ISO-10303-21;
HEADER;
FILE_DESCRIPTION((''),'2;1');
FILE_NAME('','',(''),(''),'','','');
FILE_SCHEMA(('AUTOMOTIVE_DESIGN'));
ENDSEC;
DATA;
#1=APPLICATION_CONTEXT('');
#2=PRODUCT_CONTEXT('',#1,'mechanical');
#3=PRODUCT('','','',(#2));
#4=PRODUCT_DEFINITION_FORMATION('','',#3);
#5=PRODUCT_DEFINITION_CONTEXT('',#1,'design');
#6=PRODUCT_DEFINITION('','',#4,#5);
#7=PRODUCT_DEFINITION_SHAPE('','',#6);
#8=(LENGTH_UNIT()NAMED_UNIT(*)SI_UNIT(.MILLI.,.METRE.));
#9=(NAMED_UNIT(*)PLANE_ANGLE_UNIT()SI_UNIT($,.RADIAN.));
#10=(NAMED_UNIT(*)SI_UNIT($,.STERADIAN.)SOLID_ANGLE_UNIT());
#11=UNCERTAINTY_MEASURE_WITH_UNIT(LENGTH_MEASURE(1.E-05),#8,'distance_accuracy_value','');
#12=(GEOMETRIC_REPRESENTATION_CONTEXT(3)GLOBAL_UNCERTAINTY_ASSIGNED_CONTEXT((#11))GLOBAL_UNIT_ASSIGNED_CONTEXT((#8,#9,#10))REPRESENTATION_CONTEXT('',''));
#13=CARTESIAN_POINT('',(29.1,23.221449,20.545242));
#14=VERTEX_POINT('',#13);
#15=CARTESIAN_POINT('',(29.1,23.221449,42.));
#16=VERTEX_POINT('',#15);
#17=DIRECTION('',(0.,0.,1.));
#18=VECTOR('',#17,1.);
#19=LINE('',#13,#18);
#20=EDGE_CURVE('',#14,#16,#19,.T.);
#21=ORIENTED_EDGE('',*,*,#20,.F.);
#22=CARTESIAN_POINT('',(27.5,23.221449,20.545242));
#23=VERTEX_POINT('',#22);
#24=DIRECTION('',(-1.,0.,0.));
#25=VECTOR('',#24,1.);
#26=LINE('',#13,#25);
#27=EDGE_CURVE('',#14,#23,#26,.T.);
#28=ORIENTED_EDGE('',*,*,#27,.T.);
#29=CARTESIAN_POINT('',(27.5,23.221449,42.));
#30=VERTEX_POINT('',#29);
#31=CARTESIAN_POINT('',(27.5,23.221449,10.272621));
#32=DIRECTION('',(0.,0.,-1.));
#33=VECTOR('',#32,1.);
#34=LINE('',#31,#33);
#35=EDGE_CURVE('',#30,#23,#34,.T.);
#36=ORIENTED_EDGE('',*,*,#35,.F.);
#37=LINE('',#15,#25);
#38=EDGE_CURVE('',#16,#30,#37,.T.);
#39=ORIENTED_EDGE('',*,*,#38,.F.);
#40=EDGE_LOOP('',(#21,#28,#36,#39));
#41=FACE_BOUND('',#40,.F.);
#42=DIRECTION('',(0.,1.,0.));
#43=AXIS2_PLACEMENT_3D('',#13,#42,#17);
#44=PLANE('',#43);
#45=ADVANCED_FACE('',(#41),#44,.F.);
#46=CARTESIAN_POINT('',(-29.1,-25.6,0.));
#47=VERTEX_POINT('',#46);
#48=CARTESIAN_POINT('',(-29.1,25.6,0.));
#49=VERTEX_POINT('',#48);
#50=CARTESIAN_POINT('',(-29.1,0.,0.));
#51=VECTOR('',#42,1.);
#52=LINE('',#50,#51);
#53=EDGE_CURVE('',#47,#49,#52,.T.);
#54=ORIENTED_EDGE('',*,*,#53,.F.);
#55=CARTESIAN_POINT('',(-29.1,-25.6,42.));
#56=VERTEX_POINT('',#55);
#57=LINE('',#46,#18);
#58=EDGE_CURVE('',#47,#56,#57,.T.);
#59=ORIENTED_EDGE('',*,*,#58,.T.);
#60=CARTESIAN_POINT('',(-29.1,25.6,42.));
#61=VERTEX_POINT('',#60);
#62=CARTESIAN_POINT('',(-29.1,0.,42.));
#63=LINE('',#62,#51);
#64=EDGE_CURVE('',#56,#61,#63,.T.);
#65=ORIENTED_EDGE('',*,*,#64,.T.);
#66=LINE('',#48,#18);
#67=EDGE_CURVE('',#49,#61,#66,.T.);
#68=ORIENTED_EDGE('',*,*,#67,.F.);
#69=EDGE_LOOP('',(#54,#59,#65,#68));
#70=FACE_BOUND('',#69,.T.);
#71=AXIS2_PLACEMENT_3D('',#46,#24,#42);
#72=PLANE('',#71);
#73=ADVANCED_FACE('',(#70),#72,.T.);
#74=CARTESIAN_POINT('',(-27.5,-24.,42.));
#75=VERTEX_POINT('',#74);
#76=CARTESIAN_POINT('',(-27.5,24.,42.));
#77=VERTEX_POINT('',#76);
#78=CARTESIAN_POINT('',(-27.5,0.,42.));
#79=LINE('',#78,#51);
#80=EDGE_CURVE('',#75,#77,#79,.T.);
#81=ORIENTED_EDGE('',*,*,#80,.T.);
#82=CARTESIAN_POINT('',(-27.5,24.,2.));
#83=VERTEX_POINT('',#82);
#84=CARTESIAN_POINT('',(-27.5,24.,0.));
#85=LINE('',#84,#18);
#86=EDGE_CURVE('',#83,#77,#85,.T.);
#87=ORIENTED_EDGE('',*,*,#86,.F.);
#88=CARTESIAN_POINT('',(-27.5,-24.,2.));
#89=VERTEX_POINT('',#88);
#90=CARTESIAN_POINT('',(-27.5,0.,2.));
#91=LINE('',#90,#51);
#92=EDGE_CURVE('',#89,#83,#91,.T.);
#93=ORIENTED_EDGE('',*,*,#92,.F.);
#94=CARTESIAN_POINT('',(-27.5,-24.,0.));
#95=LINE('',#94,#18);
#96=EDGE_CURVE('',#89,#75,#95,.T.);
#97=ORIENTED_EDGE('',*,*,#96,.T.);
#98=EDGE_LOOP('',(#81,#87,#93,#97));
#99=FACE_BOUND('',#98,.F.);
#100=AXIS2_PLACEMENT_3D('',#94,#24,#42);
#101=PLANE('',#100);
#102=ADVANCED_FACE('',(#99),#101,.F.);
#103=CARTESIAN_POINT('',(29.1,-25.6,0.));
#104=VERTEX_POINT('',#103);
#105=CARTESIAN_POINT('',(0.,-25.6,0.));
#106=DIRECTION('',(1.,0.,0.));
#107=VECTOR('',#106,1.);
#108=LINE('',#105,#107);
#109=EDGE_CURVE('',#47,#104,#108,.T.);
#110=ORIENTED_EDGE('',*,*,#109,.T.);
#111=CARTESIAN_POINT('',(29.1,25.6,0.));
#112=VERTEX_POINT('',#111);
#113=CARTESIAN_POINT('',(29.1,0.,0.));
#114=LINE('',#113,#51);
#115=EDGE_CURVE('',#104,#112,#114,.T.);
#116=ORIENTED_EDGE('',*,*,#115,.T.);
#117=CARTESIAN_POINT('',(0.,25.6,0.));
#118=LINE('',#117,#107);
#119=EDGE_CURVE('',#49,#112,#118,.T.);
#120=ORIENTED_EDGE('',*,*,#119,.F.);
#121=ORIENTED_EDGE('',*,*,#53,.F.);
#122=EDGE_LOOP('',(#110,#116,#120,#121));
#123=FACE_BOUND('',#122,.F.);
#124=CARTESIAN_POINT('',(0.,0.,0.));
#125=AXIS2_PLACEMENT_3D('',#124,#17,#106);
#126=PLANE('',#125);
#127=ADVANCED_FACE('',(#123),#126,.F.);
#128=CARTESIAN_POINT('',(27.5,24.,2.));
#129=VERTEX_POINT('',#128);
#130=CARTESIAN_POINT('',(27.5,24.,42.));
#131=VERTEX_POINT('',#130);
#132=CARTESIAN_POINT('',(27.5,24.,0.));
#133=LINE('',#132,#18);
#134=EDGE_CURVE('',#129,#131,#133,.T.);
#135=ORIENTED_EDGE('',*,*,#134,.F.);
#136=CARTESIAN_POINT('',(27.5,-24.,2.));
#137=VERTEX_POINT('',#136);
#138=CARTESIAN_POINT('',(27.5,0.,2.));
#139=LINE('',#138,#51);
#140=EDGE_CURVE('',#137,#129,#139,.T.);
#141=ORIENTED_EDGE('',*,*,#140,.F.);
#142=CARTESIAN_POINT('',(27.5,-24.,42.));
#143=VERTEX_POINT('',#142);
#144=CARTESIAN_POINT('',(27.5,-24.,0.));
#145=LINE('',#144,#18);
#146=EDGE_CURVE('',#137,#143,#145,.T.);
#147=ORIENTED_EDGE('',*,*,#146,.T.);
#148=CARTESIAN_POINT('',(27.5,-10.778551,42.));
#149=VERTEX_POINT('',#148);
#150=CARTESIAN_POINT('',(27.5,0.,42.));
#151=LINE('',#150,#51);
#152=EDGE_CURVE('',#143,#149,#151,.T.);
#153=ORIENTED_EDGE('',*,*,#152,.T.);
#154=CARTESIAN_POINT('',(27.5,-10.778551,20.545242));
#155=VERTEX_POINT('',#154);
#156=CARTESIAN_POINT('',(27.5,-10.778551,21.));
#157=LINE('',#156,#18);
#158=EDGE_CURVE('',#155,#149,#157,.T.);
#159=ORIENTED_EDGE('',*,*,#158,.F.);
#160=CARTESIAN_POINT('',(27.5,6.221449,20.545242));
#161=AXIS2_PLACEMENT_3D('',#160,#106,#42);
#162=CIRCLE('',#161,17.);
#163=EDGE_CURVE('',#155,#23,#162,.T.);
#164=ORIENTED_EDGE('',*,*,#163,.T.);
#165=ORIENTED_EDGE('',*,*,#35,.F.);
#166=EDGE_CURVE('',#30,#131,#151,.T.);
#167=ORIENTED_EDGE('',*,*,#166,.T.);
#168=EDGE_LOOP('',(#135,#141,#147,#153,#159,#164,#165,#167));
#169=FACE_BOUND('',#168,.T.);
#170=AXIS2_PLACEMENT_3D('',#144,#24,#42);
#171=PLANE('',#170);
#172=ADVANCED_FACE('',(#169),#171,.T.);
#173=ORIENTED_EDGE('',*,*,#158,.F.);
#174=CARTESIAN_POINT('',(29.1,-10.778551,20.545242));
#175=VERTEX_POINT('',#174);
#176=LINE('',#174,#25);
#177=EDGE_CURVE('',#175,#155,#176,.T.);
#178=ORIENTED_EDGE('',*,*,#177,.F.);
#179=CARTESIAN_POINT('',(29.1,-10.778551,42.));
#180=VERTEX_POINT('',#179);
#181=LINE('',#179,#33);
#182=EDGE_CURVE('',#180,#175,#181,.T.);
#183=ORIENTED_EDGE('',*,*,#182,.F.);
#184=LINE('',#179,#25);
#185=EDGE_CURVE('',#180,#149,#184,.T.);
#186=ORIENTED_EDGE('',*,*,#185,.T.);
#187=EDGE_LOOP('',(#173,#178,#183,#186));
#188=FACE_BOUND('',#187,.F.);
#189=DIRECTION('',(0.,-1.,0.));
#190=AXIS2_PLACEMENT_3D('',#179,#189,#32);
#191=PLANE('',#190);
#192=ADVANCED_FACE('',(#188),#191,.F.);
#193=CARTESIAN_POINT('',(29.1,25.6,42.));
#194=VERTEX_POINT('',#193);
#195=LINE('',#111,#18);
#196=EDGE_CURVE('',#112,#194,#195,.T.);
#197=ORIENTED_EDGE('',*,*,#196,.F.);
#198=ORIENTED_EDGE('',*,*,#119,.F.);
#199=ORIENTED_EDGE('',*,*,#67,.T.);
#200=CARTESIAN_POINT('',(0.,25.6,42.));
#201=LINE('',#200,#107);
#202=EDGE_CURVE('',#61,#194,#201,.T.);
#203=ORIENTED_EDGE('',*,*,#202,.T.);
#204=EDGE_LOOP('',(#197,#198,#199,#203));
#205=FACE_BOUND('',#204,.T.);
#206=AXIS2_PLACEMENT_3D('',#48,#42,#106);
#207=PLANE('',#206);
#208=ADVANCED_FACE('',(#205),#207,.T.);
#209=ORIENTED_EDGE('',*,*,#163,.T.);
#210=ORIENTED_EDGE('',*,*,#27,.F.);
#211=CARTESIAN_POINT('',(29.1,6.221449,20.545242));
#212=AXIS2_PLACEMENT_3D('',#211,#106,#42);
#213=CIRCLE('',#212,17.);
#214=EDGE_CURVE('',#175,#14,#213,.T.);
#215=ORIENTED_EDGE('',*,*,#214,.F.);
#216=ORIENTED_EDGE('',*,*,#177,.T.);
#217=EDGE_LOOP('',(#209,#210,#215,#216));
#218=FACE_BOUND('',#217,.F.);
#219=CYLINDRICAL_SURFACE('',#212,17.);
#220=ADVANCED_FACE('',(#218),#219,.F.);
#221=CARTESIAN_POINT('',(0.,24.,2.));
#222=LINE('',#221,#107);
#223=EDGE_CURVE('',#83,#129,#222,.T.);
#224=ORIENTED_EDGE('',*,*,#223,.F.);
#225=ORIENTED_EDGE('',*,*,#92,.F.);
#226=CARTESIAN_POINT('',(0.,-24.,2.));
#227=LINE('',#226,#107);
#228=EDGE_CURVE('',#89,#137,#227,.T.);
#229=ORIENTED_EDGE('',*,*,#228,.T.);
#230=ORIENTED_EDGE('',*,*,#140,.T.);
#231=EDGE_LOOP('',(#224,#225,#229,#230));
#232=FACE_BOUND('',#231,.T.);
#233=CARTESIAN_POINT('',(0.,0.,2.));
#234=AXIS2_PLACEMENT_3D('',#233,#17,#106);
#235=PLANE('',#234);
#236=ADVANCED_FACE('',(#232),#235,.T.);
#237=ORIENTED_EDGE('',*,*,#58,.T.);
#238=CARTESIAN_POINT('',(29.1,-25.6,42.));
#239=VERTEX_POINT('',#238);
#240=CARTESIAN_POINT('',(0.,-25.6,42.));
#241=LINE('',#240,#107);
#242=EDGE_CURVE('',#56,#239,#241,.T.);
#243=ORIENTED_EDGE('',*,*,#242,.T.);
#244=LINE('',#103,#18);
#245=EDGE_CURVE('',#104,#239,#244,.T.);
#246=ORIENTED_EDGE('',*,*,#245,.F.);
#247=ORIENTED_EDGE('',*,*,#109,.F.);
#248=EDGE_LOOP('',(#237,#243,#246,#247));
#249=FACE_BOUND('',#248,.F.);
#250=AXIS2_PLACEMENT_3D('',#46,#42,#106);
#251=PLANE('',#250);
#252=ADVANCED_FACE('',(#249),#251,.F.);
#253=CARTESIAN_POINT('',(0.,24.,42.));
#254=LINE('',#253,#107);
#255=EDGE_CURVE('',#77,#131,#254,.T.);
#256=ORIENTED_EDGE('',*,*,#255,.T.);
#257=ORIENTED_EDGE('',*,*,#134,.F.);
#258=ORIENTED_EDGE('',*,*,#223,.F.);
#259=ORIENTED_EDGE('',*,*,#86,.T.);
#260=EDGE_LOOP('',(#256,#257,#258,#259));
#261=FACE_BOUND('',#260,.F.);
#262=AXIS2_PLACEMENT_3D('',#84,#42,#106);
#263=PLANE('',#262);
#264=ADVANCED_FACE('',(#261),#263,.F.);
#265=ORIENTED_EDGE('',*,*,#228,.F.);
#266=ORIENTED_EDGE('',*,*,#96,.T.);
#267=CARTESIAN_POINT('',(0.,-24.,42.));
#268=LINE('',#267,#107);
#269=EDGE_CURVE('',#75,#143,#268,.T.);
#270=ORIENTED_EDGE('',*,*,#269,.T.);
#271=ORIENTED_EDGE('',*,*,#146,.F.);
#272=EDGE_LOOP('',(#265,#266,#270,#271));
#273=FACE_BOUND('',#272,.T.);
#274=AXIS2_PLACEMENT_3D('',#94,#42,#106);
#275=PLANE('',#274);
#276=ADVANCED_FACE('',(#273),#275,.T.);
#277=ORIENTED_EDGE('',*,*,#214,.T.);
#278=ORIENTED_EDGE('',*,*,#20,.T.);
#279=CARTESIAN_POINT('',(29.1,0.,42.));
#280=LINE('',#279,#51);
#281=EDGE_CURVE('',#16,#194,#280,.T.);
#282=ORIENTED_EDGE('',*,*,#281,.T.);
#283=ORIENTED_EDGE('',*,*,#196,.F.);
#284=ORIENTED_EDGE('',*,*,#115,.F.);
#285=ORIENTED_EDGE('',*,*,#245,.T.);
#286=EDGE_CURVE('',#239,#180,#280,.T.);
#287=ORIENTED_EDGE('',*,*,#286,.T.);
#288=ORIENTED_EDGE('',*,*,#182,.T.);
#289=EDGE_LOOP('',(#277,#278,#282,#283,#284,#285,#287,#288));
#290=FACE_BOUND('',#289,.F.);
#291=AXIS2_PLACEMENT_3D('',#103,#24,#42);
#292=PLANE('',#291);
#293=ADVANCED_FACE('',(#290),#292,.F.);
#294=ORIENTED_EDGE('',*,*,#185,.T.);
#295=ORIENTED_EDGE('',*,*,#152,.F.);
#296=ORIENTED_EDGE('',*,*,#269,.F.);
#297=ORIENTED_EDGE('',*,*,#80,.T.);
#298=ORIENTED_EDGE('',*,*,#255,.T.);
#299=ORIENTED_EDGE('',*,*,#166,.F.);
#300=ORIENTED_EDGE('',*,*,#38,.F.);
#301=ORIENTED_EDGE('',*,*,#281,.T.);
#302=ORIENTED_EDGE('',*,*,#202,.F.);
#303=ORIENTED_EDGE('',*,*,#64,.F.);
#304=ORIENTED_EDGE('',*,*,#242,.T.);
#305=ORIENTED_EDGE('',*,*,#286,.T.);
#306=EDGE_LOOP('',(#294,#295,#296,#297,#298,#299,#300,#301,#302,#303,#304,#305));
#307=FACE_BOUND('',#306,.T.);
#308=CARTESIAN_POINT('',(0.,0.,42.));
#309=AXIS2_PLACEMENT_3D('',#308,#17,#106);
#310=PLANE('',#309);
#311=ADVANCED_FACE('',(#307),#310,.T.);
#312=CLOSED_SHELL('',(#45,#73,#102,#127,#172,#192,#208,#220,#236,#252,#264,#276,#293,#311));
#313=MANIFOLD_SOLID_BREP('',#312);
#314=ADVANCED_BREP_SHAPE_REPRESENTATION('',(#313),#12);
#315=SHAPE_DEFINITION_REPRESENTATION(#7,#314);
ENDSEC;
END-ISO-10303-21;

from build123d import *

# Parameters (mm, degrees)
F0_W     = 55
F0_H     = 48
F1_DEPTH = 2
F0_W_2   = 58.2
F0_H_2   = 51.2
F2_DEPTH = 42
F4_DEPTH = 4


with BuildPart() as f1:
    # F0 (on Top) → F1 (new body)
    with BuildSketch(Plane.XY):
        Rectangle(F0_W, F0_H)
    extrude(amount=F1_DEPTH)

    # F0 (on Top) → F2 (join)
    with BuildSketch(Plane.XY):
        Rectangle(F0_W_2, F0_H_2)
        Rectangle(F0_W, F0_H, mode=Mode.SUBTRACT)
    extrude(amount=F2_DEPTH)

    # F3 (on face) → F4 (cut)
    with BuildSketch(Plane.YZ.offset(29.1)):
        with BuildLine():
            ThreePointArc((-10.778551, 20.545242), (6.221449, 37.545242), (23.221449, 20.545242))
            Line((23.221449, 20.545242), (23.221449, 42))
            Line((23.221449, 42), (-10.778551, 42))
            Line((-10.778551, 42), (-10.778551, 20.545242))
        make_face()
        with BuildLine():
            ThreePointArc((-10.778551, 20.545242), (6.221449, 3.545242), (23.221449, 20.545242))
            ThreePointArc((23.221449, 20.545242), (6.221449, 37.545242), (-10.778551, 20.545242))
        make_face()
    extrude(amount=-F4_DEPTH, mode=Mode.SUBTRACT)


solid = f1.part
